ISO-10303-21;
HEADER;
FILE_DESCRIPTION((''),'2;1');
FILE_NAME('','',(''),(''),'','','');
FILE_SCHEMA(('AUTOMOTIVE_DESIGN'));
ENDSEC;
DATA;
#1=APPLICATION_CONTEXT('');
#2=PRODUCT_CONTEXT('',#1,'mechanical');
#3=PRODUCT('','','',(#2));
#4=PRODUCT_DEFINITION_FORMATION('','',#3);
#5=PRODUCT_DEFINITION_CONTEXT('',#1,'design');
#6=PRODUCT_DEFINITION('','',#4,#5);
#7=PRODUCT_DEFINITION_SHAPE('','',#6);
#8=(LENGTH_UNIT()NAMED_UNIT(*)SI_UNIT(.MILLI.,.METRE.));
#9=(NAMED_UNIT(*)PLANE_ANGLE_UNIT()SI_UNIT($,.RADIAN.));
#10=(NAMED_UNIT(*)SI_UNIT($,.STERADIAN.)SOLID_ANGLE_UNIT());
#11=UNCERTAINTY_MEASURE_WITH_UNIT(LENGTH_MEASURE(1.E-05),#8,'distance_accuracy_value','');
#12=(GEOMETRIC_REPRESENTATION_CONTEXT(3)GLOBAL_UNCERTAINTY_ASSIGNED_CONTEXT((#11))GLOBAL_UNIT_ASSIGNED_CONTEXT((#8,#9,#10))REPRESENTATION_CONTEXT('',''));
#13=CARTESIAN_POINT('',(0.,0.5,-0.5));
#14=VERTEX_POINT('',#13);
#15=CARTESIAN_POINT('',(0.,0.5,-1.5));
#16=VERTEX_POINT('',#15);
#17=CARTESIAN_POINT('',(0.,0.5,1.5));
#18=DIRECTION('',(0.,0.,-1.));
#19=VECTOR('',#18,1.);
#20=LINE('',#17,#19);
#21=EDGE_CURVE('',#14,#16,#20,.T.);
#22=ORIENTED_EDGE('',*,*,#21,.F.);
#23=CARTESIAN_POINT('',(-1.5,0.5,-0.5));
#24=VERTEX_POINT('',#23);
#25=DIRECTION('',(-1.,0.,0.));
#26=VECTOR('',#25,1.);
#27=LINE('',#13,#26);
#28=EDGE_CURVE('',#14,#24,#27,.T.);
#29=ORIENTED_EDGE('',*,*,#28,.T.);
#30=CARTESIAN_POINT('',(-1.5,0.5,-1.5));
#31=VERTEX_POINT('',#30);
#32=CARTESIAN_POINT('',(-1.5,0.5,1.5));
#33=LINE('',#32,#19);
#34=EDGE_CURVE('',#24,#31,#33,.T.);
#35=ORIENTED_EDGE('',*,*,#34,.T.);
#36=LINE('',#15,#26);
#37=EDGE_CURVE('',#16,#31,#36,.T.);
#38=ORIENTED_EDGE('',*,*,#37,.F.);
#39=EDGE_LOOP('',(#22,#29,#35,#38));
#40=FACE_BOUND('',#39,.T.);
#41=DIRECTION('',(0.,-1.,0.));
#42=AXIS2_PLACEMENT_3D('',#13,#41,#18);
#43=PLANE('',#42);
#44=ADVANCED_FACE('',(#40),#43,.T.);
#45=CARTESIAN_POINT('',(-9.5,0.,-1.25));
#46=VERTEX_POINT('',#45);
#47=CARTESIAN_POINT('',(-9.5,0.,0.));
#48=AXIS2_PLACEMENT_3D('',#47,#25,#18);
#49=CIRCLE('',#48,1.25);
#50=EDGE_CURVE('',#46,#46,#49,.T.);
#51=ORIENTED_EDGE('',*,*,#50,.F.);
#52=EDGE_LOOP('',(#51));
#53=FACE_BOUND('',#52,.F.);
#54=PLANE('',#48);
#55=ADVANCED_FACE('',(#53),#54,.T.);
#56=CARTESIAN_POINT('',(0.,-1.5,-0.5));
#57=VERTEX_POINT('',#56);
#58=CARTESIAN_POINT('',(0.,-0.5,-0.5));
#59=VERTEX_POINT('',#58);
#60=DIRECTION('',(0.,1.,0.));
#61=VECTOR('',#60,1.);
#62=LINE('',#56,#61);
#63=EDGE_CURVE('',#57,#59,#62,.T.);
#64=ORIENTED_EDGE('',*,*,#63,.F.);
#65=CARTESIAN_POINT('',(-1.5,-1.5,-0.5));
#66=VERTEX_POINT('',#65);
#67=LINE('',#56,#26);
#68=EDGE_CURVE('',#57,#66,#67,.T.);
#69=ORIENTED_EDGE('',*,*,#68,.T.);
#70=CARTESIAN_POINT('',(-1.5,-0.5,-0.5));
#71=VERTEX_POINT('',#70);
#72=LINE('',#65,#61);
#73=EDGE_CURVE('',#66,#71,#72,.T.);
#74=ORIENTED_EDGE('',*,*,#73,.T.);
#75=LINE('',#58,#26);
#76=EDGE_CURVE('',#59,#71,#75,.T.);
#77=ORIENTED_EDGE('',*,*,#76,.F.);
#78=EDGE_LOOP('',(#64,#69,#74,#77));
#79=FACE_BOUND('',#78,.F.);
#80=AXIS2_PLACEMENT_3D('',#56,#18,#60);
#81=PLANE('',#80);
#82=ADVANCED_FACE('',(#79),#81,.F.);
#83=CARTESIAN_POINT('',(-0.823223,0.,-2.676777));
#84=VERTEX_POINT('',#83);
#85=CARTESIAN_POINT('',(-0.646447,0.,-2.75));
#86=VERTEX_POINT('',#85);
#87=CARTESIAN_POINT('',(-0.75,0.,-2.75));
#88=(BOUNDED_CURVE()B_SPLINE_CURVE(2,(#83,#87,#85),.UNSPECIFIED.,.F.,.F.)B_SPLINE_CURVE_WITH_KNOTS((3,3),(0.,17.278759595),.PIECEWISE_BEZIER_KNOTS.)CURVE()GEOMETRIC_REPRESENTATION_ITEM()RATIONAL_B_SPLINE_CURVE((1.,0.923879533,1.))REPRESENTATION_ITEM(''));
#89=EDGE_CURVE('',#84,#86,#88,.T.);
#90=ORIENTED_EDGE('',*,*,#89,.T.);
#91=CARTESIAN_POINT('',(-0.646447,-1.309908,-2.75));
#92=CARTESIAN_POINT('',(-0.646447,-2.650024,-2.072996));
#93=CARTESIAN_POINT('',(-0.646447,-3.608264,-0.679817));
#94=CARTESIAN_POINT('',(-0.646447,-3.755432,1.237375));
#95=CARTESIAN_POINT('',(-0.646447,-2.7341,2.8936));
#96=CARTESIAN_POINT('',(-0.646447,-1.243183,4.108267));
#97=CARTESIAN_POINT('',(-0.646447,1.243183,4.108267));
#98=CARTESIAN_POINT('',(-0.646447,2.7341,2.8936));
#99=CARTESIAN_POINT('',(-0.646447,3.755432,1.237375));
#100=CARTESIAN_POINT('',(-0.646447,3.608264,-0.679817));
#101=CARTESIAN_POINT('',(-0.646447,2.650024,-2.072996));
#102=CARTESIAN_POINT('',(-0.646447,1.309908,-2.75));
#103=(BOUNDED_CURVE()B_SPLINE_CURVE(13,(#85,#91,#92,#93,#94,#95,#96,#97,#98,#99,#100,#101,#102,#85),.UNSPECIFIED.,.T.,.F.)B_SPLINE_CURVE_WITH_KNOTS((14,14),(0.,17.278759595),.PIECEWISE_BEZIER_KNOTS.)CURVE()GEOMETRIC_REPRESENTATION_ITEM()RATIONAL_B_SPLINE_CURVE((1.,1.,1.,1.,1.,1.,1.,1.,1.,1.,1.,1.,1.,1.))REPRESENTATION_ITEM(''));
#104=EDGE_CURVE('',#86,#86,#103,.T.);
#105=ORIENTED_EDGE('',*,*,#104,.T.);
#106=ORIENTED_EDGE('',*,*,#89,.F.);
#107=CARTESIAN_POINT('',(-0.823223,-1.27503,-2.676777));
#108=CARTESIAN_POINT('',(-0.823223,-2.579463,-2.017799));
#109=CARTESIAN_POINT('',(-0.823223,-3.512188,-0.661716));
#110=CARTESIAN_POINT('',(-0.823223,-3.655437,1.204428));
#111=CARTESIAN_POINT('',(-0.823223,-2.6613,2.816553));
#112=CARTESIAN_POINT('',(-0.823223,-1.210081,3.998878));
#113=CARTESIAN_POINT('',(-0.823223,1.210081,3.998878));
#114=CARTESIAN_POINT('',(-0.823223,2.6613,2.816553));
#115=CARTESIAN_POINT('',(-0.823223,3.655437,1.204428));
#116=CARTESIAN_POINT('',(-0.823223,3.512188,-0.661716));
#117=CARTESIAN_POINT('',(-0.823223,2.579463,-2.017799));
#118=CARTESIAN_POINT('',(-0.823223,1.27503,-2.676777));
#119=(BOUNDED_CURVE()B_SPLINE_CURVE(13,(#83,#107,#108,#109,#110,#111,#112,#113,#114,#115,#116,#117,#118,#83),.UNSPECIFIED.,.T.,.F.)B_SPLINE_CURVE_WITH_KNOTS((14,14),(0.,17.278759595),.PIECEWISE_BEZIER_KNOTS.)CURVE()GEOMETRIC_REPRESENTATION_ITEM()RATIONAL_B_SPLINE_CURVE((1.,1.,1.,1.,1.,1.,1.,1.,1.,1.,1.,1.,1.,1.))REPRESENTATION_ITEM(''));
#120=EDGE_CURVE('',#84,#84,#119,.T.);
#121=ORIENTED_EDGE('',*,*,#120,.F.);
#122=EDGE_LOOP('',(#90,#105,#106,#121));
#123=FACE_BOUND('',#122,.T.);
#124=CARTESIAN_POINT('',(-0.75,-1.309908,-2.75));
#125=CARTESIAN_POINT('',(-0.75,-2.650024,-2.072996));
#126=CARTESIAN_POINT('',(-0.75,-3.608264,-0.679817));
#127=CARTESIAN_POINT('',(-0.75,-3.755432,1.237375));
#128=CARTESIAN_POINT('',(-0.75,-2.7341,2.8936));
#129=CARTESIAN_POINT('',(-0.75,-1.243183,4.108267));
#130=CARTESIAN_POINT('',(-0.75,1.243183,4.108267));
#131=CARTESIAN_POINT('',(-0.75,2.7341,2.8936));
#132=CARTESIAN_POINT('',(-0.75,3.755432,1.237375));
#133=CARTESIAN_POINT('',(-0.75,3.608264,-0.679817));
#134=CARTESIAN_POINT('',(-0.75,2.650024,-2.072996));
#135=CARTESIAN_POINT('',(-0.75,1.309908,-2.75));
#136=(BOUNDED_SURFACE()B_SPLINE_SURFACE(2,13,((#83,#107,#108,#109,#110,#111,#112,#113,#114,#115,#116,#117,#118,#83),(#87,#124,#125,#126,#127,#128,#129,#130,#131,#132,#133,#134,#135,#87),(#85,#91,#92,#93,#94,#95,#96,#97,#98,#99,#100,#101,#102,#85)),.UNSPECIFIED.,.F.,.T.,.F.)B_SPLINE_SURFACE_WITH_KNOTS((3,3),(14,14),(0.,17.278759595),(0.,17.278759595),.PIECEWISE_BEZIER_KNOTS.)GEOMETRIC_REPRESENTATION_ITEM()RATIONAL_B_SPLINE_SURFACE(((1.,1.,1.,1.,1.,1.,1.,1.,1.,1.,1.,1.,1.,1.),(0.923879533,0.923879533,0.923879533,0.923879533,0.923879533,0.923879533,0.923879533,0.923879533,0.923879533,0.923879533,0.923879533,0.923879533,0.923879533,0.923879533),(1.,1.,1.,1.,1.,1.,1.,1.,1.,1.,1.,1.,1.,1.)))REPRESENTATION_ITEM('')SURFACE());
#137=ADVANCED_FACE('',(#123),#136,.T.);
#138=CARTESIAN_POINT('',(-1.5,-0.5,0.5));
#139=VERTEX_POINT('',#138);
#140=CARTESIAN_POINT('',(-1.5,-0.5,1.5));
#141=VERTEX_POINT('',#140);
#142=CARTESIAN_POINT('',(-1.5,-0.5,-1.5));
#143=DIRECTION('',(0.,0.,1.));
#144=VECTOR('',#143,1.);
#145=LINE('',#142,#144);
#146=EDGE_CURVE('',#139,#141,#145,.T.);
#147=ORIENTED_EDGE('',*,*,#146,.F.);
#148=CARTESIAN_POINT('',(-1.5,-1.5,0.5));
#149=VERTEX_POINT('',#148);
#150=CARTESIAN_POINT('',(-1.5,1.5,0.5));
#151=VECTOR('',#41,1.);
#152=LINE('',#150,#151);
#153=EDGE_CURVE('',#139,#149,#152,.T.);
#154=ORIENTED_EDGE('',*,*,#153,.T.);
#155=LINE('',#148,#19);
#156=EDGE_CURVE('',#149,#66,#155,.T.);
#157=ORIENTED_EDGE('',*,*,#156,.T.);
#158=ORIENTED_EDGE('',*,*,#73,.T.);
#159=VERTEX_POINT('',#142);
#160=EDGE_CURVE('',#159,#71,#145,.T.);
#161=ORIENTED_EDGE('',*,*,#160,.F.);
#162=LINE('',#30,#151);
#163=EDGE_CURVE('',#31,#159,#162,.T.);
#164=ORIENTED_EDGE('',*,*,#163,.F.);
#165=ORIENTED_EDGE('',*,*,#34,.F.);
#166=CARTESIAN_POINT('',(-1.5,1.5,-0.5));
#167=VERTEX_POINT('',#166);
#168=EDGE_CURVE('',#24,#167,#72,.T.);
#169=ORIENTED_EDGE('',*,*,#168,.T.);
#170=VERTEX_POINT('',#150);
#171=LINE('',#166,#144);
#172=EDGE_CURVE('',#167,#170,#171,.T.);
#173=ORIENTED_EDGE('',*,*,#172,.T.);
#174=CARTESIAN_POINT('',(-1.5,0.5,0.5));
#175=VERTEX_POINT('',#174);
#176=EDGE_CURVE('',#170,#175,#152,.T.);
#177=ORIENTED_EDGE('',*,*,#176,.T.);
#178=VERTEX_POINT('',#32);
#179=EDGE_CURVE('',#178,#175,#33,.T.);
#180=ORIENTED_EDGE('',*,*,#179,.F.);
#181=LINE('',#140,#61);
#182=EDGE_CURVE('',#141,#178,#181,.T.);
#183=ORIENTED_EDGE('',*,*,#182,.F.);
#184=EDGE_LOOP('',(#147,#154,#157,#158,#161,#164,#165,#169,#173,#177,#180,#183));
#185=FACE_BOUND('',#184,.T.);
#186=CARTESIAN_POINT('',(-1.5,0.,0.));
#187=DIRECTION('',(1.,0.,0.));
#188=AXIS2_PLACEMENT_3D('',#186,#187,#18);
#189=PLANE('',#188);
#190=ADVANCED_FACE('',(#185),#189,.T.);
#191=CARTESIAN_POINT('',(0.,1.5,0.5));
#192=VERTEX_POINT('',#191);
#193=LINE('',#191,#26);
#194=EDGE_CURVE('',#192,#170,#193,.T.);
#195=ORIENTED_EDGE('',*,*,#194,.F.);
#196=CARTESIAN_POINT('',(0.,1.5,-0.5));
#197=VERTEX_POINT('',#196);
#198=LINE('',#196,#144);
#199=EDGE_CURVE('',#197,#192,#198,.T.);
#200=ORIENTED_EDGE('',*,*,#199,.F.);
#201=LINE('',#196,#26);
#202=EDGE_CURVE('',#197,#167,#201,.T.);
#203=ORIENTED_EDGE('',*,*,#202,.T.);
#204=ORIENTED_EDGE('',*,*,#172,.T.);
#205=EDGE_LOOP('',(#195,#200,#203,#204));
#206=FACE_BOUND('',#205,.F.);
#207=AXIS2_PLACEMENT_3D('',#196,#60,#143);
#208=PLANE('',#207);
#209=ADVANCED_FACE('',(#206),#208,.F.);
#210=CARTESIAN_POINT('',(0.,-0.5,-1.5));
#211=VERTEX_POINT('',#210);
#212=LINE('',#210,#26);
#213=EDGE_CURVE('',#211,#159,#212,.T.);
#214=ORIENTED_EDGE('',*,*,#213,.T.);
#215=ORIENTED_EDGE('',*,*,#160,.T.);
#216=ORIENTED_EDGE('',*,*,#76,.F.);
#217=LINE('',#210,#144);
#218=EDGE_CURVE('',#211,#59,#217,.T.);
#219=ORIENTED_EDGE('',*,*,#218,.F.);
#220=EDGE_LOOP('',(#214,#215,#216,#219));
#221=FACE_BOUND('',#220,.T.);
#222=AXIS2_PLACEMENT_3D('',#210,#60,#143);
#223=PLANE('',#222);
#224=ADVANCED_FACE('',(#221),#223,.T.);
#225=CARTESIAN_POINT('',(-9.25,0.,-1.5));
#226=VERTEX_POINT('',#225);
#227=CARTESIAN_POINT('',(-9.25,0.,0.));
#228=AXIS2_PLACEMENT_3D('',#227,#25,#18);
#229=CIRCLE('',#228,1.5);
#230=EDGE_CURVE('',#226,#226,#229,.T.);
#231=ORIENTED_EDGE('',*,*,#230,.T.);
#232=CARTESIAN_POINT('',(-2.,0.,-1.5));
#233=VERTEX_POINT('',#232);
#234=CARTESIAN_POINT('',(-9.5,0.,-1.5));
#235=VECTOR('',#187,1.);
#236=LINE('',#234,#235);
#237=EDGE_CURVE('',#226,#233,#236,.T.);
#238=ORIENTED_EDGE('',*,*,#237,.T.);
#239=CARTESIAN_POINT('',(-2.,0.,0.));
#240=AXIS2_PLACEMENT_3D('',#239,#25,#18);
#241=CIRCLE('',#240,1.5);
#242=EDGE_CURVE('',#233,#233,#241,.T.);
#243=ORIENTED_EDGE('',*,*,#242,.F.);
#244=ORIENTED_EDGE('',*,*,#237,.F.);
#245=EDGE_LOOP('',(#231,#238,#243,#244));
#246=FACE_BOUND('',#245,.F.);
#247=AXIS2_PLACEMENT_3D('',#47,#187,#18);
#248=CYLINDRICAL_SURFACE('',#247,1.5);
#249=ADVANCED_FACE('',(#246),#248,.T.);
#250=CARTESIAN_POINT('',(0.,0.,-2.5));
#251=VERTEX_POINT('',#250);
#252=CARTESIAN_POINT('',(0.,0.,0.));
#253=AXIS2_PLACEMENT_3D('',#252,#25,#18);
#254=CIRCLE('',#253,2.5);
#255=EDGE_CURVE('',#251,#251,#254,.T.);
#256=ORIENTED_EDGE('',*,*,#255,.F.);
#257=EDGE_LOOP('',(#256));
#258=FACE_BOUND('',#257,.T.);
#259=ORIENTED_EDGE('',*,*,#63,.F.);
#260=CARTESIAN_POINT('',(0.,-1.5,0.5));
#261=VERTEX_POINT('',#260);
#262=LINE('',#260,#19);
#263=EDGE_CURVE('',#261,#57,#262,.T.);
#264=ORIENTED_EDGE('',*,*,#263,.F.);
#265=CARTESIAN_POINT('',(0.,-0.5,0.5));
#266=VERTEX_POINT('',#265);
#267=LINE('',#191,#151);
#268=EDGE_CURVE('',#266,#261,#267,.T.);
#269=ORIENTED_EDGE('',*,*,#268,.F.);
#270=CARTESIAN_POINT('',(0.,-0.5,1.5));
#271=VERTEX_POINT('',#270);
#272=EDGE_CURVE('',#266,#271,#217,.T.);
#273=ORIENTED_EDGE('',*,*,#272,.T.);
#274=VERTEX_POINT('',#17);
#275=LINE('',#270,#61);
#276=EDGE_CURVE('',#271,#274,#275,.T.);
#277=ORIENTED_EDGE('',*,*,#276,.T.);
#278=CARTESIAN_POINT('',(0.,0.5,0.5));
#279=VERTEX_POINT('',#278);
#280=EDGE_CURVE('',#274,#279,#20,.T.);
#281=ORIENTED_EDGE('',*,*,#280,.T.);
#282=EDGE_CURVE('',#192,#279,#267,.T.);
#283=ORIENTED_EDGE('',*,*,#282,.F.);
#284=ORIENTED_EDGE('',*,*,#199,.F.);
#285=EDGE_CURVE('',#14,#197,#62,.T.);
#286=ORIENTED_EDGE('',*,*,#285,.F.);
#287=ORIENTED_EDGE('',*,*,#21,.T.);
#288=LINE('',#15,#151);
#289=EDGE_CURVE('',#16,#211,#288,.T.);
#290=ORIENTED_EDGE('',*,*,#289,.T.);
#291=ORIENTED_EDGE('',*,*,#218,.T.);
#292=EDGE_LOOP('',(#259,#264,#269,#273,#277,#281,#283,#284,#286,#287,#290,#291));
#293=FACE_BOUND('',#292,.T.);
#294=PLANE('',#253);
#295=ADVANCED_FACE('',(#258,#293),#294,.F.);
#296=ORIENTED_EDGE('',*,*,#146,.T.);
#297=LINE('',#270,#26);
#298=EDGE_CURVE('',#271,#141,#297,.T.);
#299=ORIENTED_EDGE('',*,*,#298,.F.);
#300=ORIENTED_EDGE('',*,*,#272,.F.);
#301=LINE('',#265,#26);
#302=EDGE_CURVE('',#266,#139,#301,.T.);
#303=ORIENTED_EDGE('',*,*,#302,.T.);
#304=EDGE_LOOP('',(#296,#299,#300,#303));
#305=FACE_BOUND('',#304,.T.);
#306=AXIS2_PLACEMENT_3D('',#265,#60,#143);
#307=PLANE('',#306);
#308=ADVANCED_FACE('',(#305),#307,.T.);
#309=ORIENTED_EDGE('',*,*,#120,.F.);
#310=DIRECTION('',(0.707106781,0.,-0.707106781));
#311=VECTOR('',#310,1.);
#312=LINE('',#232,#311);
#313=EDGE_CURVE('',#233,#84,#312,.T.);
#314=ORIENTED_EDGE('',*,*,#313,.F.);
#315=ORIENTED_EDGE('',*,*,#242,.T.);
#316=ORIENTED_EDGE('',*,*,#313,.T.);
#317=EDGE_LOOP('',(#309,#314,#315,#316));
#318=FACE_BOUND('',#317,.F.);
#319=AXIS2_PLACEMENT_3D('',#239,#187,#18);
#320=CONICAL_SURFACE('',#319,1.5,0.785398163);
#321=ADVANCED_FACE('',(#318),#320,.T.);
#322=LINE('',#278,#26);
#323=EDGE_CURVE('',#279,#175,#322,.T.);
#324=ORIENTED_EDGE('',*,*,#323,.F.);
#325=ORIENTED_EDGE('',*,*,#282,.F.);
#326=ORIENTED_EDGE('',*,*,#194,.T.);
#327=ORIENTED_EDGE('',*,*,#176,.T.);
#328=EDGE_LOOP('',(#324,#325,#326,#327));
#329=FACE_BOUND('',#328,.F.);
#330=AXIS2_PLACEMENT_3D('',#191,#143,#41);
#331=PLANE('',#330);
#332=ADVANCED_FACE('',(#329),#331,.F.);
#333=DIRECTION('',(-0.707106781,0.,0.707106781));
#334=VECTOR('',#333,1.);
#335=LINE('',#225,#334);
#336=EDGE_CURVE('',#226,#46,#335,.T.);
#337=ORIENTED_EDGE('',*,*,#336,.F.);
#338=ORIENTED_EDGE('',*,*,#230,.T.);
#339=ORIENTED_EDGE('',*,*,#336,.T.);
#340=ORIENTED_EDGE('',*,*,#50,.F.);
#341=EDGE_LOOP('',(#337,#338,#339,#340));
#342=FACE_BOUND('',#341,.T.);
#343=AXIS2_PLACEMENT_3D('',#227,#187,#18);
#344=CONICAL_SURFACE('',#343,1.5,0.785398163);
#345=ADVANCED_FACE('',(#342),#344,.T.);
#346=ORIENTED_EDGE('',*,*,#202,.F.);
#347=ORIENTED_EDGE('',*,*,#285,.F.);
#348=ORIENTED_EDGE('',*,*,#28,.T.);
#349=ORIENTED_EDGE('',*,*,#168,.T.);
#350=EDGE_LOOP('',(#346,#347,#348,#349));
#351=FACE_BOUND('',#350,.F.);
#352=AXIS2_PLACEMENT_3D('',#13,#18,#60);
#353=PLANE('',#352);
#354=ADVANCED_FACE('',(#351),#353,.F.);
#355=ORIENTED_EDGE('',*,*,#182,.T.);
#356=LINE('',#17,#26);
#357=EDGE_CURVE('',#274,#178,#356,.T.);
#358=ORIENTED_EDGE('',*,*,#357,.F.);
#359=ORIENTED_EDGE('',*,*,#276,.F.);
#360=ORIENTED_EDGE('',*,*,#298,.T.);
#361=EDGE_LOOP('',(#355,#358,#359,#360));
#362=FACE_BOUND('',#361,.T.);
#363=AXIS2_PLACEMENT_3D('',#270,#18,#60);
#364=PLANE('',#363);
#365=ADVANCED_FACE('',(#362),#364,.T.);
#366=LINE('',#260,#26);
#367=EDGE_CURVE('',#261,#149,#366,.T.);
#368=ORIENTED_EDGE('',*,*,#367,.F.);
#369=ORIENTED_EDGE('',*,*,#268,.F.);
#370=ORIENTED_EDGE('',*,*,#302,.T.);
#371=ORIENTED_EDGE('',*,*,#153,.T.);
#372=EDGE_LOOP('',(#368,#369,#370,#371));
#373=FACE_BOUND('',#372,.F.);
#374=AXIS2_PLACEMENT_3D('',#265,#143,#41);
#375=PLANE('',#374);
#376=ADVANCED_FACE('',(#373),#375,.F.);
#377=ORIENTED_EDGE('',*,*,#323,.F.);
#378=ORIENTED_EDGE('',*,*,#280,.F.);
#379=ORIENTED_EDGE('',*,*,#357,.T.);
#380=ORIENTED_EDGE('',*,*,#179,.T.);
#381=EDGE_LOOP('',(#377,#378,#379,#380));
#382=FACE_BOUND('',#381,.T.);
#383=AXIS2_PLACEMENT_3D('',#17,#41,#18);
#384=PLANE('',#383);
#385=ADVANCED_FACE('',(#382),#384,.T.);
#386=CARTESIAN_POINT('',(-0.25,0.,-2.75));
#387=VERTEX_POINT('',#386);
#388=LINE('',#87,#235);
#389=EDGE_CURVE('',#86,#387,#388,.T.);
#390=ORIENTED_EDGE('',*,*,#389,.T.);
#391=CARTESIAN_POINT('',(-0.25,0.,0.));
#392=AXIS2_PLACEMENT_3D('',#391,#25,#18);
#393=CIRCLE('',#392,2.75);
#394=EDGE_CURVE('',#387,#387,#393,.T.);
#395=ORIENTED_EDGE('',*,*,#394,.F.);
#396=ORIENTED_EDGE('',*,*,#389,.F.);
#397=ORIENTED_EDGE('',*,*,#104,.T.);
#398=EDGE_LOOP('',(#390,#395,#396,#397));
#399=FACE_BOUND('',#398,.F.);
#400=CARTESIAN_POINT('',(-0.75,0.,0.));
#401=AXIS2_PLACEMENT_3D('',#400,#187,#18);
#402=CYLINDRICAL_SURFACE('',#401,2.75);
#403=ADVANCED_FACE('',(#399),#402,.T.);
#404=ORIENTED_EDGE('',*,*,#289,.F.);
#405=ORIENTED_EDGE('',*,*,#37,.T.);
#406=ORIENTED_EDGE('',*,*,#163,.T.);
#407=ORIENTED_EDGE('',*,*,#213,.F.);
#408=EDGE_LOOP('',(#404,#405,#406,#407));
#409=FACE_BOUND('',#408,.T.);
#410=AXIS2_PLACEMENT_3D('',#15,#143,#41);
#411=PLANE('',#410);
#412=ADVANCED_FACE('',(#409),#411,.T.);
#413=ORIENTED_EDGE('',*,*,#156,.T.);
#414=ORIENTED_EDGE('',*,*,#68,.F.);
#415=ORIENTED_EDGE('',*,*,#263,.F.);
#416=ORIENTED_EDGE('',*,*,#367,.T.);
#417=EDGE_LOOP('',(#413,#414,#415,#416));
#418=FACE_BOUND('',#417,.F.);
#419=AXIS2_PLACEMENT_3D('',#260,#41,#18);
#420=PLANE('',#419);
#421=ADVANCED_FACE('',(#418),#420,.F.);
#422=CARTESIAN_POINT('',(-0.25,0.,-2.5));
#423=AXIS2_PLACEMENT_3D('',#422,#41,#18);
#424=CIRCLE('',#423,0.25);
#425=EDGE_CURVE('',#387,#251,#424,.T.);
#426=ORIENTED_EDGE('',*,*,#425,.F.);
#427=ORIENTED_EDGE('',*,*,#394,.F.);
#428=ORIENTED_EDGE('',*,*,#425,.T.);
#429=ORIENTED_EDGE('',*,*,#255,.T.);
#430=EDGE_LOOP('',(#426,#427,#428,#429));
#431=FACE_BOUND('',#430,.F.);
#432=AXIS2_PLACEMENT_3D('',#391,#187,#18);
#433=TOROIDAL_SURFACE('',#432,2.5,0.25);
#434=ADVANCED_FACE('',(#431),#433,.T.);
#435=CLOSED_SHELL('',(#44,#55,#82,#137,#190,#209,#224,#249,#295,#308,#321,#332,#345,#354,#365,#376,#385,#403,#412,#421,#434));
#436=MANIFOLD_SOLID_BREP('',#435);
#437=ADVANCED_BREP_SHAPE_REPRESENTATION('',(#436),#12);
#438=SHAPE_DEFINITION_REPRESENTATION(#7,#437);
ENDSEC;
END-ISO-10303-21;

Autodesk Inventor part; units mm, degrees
ref_plane "YZ Plane" through (0, 0, 0) normal (1, 0, 0) x (0, 1, 0)
ref_plane "XZ Plane" through (0, 0, 0) normal (0, 1, 0) x (-1, 0, 0)
ref_plane "XY Plane" through (0, 0, 0) normal (0, 0, 1) x (1, 0, 0)
sketch "Sketch1" plane through (0, 0, 0) normal (0, 1, 0) x (-1, 0, 0)
  line L0 (0, 0) -> (0, -2.75)
  line L1 (0, 0) -> (9.5, 0)
  line L2 (9.5, 0) -> (9.5, -1.5)
  line L3 (9.5, -1.5) -> (2, -1.5)
  line L4 (2, -1.5) -> (0.75, -2.75)
  line L5 (2, -1.5) -> (3.7678, -1.5) construction
  line L6 (0.75, -2.75) -> (0, -2.75)
  dimension "d0" = 2.75
  dimension "d1" = 9.5
  dimension "d2" = 1.5
  dimension "d3" = 7.5
  dimension "d4" = 135
revolve "Revolution1" add sketch "Sketch1" angle 360 about axis through (0, 0, 0) along (-1, 0, 0)
thread "Thread1" size "M3x0.5" class "6g" standard "ANSI Metric M Profile" full length
fillet "Fillet1" radius 0.25 2 edges at (-0.75, 0, 2.75) (0, 0, 2.75)
sketch "Sketch2" plane through (0, 0, 0) normal (1, 0, 0) x (0, 0, -1)
  line L0 (-1.5, 0.5) -> (1.5, 0.5)
  line L1 (1.5, 0.5) -> (1.5, -0.5)
  line L2 (1.5, -0.5) -> (-1.5, -0.5)
  line L3 (-1.5, -0.5) -> (-1.5, 0.5)
  line L4 (-1.5, 0.5) -> (1.5, -0.5) construction
  line L5 (1.5, 0.5) -> (-1.5, -0.5) construction
  line L6 (0.5, 1.5) -> (-0.5, 1.5)
  line L7 (-0.5, 1.5) -> (-0.5, -1.5)
  line L8 (-0.5, -1.5) -> (0.5, -1.5)
  line L9 (0.5, -1.5) -> (0.5, 1.5)
  line L10 (0.5, 1.5) -> (-0.5, -1.5) construction
  line L11 (-0.5, 1.5) -> (0.5, -1.5) construction
  point P0 (0, 0)
  point P1 (0.5, 0.5)
  point P2 (-0.5, 0.5)
  point P3 (-0.5, -0.5)
  point P4 (0.5, -0.5)
  dimension "d9" = 3
  dimension "d10" = 1
  dimension "d11" = 1
  dimension "d12" = 3
extrude "Extrusion1" cut sketch "Sketch2" against normal blind 1.5
chamfer "Chamfer1" distance 0.25 angle 45 1 edges at (-9.5, 0, 1.5)
properties part number "M3_Short_Bolt" material "Steel, Alloy"
